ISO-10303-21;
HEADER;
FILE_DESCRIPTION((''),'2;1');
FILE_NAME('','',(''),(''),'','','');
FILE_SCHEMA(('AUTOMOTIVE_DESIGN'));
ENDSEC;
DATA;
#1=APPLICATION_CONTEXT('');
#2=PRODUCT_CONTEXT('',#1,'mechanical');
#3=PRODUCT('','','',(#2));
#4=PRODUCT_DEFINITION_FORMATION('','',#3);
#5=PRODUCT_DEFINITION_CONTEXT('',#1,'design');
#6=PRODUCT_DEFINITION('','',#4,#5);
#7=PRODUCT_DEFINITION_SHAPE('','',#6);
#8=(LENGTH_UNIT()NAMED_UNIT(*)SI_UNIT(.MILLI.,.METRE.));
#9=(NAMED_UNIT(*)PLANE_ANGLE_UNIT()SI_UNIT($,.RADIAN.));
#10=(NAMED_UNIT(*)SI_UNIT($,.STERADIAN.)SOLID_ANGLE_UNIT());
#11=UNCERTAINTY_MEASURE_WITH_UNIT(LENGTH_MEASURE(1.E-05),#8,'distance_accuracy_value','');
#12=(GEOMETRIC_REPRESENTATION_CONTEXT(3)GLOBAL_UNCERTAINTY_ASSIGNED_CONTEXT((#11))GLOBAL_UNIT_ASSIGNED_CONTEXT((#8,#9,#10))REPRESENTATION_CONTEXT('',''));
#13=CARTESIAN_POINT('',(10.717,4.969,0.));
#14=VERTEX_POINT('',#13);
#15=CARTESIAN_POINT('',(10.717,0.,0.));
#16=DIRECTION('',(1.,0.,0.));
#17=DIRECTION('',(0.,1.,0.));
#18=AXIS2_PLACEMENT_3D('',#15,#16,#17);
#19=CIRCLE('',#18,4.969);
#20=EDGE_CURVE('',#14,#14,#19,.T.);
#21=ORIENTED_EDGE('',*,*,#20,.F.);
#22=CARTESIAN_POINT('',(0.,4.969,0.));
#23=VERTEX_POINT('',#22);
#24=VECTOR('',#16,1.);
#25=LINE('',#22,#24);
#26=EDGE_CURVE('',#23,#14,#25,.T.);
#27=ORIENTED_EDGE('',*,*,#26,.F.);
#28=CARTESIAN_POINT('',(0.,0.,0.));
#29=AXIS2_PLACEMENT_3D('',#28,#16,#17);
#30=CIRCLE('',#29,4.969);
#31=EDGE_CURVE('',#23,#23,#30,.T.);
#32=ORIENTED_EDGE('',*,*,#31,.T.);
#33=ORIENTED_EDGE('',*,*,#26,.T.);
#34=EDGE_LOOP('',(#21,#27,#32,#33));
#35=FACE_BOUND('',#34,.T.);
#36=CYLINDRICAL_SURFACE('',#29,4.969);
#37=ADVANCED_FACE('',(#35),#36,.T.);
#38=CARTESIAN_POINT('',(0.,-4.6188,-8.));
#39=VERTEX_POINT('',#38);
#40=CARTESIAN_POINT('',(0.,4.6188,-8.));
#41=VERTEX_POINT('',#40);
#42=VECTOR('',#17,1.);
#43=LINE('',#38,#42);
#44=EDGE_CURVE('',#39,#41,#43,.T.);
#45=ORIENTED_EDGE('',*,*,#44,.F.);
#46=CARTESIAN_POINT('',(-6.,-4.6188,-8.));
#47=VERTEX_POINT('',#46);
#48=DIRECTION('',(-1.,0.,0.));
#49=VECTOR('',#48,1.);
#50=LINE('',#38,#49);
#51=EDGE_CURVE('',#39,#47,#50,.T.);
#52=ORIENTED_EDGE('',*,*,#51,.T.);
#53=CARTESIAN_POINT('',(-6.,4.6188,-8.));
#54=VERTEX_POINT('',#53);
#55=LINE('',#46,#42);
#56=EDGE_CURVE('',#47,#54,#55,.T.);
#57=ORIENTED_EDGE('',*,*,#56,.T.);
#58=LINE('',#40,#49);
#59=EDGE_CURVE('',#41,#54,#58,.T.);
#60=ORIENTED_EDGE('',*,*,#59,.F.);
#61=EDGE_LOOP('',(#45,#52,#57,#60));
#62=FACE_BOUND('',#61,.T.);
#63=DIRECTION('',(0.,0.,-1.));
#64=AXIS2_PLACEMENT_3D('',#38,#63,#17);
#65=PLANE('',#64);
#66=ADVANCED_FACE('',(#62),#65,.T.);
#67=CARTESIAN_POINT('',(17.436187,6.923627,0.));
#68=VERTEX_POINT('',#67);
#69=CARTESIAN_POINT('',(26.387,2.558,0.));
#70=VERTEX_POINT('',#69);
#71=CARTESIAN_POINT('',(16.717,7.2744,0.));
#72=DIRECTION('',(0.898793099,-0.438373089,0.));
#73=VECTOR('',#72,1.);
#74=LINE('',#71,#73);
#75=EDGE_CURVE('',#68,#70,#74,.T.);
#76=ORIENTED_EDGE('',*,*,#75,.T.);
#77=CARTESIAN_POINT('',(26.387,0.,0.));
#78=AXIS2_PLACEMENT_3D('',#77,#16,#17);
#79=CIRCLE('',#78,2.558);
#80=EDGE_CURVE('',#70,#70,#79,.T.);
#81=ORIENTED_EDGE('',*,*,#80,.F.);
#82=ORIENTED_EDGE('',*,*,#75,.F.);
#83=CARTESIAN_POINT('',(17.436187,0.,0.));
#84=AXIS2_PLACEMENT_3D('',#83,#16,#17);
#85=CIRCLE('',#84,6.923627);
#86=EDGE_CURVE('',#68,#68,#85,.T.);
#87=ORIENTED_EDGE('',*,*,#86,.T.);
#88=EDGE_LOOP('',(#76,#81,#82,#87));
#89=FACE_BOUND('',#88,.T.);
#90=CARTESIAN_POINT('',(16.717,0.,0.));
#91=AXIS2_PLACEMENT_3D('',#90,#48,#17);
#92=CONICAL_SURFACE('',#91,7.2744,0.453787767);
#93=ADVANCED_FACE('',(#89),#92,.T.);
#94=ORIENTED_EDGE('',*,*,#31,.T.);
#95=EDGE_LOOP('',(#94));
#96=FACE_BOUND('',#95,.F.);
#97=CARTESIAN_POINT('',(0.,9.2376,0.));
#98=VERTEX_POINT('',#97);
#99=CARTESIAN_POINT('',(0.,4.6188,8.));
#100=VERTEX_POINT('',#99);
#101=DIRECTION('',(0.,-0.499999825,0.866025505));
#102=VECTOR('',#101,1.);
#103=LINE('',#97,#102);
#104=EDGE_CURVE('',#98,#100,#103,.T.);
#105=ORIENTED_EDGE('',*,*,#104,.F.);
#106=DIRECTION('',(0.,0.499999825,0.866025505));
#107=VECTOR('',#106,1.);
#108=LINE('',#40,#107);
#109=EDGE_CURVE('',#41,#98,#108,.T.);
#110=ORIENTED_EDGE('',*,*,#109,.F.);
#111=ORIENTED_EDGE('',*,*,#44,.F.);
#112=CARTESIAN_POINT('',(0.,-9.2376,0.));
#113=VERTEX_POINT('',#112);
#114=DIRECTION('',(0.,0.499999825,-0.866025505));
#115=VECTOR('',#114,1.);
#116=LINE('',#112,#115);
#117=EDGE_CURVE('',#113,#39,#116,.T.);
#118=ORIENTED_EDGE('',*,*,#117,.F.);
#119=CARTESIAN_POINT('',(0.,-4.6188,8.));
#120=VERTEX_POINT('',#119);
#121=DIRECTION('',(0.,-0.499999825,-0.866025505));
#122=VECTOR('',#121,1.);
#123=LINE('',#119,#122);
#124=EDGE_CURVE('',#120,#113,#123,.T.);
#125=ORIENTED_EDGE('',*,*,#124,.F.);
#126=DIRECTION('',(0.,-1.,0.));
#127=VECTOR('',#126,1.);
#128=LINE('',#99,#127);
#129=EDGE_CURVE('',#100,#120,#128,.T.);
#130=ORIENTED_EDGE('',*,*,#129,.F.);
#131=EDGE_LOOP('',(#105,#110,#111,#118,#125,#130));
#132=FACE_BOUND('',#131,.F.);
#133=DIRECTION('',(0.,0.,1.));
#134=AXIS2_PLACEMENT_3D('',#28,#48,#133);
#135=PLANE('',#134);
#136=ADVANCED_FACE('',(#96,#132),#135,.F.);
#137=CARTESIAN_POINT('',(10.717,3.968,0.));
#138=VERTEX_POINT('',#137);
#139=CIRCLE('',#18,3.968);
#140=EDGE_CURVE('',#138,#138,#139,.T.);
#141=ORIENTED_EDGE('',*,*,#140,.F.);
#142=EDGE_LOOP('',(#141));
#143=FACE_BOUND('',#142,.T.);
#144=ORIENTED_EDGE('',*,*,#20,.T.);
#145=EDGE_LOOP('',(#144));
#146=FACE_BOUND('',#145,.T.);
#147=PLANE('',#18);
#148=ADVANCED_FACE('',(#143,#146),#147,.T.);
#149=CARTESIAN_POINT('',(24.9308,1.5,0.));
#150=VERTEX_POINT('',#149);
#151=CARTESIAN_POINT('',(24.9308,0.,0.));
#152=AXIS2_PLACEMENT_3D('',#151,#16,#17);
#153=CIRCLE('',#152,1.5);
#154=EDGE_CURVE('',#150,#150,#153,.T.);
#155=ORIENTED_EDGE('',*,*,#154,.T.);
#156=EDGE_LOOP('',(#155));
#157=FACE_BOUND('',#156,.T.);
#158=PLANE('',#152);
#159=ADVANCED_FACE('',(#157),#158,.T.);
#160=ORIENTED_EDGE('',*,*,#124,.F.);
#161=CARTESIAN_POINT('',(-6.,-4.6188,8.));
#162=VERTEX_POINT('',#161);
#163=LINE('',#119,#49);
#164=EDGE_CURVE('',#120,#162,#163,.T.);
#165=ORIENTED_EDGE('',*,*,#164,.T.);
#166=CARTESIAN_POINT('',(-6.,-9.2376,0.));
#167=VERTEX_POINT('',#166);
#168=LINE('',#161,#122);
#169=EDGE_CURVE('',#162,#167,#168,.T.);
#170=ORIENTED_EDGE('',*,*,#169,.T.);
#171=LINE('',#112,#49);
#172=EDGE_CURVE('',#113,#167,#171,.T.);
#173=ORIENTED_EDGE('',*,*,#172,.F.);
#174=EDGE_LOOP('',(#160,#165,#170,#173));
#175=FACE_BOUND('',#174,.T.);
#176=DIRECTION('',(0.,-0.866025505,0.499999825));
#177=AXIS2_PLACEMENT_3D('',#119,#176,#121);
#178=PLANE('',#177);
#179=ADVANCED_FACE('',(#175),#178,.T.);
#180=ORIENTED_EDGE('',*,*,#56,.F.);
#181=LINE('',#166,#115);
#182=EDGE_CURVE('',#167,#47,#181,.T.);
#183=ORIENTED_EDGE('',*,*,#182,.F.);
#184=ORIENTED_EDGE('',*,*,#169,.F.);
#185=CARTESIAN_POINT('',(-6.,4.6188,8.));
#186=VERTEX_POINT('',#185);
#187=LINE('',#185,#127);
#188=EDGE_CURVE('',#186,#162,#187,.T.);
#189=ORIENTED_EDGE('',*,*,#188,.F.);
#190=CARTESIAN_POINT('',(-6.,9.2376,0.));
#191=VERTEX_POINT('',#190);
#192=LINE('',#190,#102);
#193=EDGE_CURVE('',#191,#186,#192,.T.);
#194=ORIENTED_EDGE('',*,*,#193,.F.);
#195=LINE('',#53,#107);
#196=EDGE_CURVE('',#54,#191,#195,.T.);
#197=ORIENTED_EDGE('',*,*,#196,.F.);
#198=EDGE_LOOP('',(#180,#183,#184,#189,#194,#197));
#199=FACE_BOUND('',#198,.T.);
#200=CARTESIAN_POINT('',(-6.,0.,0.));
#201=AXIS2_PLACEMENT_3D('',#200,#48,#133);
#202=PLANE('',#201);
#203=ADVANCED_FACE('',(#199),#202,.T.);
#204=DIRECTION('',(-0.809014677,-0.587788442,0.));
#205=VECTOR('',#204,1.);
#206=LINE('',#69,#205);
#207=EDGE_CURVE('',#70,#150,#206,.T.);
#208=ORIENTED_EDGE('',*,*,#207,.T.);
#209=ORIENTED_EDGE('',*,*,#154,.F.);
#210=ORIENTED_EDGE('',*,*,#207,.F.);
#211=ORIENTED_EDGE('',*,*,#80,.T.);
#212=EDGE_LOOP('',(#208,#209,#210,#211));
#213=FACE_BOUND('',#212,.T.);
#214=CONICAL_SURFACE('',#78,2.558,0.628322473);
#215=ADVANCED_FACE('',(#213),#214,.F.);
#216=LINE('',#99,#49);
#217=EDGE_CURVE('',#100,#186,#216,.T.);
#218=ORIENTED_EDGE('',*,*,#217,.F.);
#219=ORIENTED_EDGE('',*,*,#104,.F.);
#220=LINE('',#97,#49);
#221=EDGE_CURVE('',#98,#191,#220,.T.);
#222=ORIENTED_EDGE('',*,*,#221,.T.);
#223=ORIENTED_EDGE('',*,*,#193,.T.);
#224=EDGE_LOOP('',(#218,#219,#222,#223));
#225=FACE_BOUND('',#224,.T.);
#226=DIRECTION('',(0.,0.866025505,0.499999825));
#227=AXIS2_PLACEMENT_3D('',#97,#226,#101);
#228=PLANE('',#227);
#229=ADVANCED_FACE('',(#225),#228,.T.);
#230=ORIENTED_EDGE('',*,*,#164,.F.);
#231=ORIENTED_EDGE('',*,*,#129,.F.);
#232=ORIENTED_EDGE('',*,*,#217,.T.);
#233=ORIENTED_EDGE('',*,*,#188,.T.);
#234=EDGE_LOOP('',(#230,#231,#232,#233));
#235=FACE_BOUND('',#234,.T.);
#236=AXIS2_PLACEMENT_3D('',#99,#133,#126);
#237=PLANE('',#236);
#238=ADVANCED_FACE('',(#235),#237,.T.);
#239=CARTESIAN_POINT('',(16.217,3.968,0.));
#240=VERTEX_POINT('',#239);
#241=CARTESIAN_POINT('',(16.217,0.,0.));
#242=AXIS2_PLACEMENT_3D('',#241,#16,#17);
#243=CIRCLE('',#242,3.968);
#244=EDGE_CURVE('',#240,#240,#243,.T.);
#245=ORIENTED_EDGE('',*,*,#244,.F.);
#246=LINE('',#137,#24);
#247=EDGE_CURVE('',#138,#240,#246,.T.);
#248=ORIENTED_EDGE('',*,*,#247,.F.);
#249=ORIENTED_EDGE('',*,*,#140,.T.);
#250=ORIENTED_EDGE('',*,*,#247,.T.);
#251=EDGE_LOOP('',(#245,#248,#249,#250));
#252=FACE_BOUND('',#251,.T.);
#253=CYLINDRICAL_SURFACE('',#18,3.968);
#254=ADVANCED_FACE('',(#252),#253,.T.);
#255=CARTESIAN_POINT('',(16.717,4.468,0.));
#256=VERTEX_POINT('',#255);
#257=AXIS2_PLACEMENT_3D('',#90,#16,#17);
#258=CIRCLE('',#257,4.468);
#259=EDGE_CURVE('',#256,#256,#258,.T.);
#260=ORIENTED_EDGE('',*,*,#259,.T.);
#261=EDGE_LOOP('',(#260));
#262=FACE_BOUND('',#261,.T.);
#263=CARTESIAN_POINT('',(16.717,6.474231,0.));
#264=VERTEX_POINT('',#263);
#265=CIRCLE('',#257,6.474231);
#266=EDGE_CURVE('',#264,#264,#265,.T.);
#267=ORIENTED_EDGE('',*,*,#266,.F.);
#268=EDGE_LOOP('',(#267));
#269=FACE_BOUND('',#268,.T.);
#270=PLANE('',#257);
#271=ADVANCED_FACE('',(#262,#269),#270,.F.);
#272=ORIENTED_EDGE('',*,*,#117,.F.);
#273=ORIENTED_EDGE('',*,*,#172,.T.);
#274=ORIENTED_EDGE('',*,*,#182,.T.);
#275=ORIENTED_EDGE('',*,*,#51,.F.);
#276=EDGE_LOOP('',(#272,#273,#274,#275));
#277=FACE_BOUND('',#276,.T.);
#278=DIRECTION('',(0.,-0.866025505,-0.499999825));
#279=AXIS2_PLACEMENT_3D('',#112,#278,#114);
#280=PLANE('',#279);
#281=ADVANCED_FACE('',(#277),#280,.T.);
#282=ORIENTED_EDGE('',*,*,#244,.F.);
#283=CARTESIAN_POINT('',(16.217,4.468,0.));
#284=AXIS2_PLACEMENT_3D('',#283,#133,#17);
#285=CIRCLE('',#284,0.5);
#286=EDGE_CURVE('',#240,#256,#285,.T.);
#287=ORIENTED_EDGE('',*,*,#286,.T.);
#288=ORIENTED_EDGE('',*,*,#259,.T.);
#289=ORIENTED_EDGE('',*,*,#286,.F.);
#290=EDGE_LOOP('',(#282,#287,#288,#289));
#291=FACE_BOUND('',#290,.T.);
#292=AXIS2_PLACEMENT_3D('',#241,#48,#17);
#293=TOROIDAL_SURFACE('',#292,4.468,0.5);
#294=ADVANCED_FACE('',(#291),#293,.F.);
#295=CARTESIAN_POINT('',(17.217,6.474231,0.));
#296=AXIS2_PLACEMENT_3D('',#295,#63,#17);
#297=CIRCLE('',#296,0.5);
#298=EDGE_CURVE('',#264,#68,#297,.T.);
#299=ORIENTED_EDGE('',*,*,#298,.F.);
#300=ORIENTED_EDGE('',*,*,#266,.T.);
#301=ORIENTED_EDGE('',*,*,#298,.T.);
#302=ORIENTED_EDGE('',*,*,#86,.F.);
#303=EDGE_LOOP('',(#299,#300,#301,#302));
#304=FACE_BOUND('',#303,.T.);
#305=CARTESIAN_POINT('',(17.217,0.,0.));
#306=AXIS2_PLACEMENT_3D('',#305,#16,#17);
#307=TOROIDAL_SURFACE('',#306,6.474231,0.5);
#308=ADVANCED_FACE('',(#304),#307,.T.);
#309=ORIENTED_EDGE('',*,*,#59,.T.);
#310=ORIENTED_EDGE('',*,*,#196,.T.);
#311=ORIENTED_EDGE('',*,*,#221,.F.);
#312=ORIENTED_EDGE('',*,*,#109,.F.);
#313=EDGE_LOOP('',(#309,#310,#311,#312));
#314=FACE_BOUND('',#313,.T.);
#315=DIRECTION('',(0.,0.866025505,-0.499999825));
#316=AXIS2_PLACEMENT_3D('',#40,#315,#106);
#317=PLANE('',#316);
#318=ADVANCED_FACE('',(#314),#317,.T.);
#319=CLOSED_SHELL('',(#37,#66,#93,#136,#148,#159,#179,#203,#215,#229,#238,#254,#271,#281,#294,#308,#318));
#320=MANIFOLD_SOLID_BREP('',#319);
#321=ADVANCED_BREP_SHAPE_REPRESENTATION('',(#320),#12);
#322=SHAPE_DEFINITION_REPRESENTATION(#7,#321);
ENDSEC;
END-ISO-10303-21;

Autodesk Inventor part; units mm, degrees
ref_plane "YZ Plane" through (0, 0, 0) normal (1, 0, 0) x (0, 1, 0)
ref_plane "XZ Plane" through (0, 0, 0) normal (0, 1, 0) x (-1, 0, 0)
ref_plane "XY Plane" through (0, 0, 0) normal (0, 0, 1) x (1, 0, 0)
sketch "Sketch1" plane through (0, 0, 0) normal (0, 0, 1) x (1, 0, 0)
  line L0 (0, 0) -> (26.387, 0)
  line L1 (0, 0) -> (0, 4.969)
  line L2 (0, 4.969) -> (10.717, 4.969)
  line L3 (10.717, 4.969) -> (10.717, 3.968)
  line L4 (10.717, 3.968) -> (16.717, 3.968)
  line L5 (16.717, 3.968) -> (16.717, 7.2744)
  line L6 (16.717, 7.2744) -> (26.387, 2.558)
  line L7 (26.387, 2.558) -> (24.9308, 1.5)
  line L8 (24.9308, 1.5) -> (24.9308, 0)
  dimension "d0" = 10.717
  dimension "d1" = 9.938
  dimension "d2" = 7.936
  dimension "d3" = 6
  dimension "d4" = 5.116
  dimension "d6" = 26
  dimension "d8" = 9.67
  dimension "d9" = 36
  dimension "d10" = 3
revolve "Revolution1" add sketch "Sketch1" angle 360 about axis through (0, 0, 0) along (1, 0, 0)
sketch "Sketch2" plane through (0, 0, 0) normal (-1, 0, 0) x (0, 0, 1)
  circle A0 centre (0, 0) radius 4.969 projected
  line L0 (0, 9.2376) -> (8, 4.6188)
  line L1 (8, 4.6188) -> (8, -4.6188)
  line L2 (8, -4.6188) -> (0, -9.2376)
  line L3 (0, -9.2376) -> (-8, -4.6188)
  line L4 (-8, -4.6188) -> (-8, 4.6188)
  line L5 (-8, 4.6188) -> (0, 9.2376)
  dimension "d11" = 16
extrude "Extrusion1" add sketch "Sketch2" along normal blind 6 contours A0 | L0 L1 L2 L3 L4 L5
fillet "Fillet1" radius 0.5 2 edges at (16.717, -3.968, 0) (16.717, -7.2744, 0)
properties part number "212-05" material "Titanium"
